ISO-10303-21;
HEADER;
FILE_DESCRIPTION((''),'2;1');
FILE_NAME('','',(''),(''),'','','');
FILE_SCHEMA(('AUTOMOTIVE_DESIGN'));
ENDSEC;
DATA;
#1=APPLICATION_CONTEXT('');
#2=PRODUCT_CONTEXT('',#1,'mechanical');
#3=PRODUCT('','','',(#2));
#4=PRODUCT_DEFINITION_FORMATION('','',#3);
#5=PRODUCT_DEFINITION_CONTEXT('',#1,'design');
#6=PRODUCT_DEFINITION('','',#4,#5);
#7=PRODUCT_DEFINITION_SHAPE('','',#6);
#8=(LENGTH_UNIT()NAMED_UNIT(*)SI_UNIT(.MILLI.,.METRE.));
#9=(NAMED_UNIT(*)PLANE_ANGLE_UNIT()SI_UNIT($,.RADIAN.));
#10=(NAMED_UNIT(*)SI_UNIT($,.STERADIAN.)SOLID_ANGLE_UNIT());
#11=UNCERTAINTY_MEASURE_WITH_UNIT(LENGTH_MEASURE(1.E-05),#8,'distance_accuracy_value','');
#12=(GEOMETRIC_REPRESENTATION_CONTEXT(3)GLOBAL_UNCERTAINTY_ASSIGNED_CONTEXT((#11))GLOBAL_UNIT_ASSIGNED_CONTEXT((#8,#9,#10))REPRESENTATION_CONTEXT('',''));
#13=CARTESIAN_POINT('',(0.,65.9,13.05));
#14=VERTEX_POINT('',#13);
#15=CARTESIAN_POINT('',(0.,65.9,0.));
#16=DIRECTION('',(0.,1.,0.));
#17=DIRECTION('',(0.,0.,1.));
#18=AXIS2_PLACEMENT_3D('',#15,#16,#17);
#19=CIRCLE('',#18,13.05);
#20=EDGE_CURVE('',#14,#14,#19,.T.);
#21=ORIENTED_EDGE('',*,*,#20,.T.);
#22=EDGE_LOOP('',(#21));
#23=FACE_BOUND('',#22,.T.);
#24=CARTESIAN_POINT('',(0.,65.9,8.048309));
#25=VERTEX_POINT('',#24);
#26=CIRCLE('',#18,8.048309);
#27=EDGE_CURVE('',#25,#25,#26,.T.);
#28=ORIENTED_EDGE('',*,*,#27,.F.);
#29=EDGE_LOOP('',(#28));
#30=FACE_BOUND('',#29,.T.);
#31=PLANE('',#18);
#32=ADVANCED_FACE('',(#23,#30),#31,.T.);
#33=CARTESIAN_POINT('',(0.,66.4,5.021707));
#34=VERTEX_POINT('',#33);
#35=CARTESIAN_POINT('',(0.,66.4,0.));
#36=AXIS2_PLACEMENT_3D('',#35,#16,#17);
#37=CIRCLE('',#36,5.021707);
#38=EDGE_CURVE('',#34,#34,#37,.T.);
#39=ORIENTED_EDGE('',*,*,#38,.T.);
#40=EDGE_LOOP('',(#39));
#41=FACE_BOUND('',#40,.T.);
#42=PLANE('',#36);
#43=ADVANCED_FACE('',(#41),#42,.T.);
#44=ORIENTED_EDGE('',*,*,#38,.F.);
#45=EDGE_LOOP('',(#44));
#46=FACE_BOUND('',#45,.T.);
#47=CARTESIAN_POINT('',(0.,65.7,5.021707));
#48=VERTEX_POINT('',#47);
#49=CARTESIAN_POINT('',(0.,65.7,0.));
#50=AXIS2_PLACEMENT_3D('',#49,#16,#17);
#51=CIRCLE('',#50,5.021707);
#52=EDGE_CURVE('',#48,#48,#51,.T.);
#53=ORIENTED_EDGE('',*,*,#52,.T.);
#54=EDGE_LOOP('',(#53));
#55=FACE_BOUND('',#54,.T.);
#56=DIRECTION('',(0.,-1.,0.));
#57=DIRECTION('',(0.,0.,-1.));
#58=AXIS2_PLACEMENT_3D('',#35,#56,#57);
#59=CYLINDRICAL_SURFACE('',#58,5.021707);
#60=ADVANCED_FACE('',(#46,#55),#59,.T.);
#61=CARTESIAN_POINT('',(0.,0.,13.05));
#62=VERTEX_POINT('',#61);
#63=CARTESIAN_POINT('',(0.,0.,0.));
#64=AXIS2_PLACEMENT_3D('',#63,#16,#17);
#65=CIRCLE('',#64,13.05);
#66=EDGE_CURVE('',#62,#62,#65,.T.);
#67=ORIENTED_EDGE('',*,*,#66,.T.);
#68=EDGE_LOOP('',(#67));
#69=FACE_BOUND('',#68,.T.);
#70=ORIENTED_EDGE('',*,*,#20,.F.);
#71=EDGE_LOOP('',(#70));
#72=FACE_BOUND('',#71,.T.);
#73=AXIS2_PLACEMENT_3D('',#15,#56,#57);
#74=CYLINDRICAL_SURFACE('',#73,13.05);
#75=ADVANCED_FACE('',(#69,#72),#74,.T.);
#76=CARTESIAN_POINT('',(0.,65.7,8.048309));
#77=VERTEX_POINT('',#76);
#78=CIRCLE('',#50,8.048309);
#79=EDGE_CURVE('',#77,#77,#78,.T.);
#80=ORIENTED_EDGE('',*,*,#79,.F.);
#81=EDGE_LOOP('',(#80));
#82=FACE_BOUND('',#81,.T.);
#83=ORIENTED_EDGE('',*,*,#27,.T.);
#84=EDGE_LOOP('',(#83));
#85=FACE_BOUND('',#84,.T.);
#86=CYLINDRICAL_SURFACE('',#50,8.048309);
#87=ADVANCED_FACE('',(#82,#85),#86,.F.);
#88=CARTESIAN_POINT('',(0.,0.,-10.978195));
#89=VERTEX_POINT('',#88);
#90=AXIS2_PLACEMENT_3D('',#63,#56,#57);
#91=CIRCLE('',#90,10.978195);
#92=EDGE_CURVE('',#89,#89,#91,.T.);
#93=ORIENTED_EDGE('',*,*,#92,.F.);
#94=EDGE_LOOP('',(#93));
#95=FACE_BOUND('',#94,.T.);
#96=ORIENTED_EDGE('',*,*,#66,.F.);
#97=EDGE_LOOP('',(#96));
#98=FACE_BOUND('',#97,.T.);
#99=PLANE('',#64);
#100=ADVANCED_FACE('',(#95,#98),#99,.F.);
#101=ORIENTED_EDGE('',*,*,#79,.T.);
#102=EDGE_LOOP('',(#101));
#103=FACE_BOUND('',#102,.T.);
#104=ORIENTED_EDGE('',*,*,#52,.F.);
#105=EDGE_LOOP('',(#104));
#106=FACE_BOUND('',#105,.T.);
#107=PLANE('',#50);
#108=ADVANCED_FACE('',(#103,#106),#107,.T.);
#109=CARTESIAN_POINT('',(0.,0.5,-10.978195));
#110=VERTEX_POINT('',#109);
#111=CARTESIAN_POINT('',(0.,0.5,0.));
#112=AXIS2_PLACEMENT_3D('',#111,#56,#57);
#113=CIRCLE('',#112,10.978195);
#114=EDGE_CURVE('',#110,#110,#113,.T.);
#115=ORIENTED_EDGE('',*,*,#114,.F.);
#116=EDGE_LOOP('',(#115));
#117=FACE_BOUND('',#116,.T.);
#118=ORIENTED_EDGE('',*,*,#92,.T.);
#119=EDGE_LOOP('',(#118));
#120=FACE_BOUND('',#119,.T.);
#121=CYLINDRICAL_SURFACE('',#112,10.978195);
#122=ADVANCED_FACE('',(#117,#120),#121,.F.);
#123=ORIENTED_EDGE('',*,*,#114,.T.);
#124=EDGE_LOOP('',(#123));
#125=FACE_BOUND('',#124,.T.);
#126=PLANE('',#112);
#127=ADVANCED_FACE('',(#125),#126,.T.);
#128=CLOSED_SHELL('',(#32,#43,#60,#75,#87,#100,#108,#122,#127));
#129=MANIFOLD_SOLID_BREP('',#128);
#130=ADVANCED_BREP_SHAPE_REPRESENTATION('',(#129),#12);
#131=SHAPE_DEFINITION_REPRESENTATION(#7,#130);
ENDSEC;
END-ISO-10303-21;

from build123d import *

# Parameters (mm, degrees)
SKETCH_1_R          = 13.05
EXTRUDE_1_DEPTH     = 65.9
SKETCH_2_R          = 10.978194701
CUT_EXTRUDE_1_DEPTH = 0.5
SKETCH_3_R          = 5.021706909
EXTRUDE_2_DEPTH     = 0.5
CUT_EXTRUDE_START   = -0.2
SKETCH_4_R          = 8.048308781
SKETCH_4_R_2        = 5.021706909
CUT_EXTRUDE_2_DEPTH = 0.2


with BuildPart() as part:
    # 草图1 → 凸台-拉伸1 (new body)
    with BuildSketch(Plane(origin=(0, 0, 0), x_dir=(1, 0, 0), z_dir=(0, 1, 0))):
        with Locations(Location((0, 0, 0), (0, 0, 270))):
            Circle(SKETCH_1_R)
    extrude(amount=EXTRUDE_1_DEPTH)

    # 草图2 → 切除-拉伸1 (cut)
    with BuildSketch(Plane.XZ):
        with Locations(Location((0, 0, 0), (0, 0, 270))):
            Circle(SKETCH_2_R)
    extrude(amount=-CUT_EXTRUDE_1_DEPTH, mode=Mode.SUBTRACT)

    # 草图3 → 凸台-拉伸2 (add)
    with BuildSketch(Plane(origin=(0, 65.9, 0), x_dir=(1, 0, 0), z_dir=(0, 1, 0))):
        with Locations(Location((0, 0, 0), (0, 0, 270))):
            Circle(SKETCH_3_R)
    extrude(amount=EXTRUDE_2_DEPTH)

    # 草图4 → 切除-拉伸2 (cut)
    with BuildSketch(Plane(origin=(0, 65.9, 0), x_dir=(1, 0, 0), z_dir=(0, 1, 0)).offset(CUT_EXTRUDE_START)):
        with Locations(Location((0, 0, 0), (0, 0, 270))):
            Circle(SKETCH_4_R)
        with Locations(Location((0, 0, 0), (0, 0, 270))):
            Circle(SKETCH_4_R_2, mode=Mode.SUBTRACT)
    extrude(amount=CUT_EXTRUDE_2_DEPTH, mode=Mode.SUBTRACT)


solid = part.part
